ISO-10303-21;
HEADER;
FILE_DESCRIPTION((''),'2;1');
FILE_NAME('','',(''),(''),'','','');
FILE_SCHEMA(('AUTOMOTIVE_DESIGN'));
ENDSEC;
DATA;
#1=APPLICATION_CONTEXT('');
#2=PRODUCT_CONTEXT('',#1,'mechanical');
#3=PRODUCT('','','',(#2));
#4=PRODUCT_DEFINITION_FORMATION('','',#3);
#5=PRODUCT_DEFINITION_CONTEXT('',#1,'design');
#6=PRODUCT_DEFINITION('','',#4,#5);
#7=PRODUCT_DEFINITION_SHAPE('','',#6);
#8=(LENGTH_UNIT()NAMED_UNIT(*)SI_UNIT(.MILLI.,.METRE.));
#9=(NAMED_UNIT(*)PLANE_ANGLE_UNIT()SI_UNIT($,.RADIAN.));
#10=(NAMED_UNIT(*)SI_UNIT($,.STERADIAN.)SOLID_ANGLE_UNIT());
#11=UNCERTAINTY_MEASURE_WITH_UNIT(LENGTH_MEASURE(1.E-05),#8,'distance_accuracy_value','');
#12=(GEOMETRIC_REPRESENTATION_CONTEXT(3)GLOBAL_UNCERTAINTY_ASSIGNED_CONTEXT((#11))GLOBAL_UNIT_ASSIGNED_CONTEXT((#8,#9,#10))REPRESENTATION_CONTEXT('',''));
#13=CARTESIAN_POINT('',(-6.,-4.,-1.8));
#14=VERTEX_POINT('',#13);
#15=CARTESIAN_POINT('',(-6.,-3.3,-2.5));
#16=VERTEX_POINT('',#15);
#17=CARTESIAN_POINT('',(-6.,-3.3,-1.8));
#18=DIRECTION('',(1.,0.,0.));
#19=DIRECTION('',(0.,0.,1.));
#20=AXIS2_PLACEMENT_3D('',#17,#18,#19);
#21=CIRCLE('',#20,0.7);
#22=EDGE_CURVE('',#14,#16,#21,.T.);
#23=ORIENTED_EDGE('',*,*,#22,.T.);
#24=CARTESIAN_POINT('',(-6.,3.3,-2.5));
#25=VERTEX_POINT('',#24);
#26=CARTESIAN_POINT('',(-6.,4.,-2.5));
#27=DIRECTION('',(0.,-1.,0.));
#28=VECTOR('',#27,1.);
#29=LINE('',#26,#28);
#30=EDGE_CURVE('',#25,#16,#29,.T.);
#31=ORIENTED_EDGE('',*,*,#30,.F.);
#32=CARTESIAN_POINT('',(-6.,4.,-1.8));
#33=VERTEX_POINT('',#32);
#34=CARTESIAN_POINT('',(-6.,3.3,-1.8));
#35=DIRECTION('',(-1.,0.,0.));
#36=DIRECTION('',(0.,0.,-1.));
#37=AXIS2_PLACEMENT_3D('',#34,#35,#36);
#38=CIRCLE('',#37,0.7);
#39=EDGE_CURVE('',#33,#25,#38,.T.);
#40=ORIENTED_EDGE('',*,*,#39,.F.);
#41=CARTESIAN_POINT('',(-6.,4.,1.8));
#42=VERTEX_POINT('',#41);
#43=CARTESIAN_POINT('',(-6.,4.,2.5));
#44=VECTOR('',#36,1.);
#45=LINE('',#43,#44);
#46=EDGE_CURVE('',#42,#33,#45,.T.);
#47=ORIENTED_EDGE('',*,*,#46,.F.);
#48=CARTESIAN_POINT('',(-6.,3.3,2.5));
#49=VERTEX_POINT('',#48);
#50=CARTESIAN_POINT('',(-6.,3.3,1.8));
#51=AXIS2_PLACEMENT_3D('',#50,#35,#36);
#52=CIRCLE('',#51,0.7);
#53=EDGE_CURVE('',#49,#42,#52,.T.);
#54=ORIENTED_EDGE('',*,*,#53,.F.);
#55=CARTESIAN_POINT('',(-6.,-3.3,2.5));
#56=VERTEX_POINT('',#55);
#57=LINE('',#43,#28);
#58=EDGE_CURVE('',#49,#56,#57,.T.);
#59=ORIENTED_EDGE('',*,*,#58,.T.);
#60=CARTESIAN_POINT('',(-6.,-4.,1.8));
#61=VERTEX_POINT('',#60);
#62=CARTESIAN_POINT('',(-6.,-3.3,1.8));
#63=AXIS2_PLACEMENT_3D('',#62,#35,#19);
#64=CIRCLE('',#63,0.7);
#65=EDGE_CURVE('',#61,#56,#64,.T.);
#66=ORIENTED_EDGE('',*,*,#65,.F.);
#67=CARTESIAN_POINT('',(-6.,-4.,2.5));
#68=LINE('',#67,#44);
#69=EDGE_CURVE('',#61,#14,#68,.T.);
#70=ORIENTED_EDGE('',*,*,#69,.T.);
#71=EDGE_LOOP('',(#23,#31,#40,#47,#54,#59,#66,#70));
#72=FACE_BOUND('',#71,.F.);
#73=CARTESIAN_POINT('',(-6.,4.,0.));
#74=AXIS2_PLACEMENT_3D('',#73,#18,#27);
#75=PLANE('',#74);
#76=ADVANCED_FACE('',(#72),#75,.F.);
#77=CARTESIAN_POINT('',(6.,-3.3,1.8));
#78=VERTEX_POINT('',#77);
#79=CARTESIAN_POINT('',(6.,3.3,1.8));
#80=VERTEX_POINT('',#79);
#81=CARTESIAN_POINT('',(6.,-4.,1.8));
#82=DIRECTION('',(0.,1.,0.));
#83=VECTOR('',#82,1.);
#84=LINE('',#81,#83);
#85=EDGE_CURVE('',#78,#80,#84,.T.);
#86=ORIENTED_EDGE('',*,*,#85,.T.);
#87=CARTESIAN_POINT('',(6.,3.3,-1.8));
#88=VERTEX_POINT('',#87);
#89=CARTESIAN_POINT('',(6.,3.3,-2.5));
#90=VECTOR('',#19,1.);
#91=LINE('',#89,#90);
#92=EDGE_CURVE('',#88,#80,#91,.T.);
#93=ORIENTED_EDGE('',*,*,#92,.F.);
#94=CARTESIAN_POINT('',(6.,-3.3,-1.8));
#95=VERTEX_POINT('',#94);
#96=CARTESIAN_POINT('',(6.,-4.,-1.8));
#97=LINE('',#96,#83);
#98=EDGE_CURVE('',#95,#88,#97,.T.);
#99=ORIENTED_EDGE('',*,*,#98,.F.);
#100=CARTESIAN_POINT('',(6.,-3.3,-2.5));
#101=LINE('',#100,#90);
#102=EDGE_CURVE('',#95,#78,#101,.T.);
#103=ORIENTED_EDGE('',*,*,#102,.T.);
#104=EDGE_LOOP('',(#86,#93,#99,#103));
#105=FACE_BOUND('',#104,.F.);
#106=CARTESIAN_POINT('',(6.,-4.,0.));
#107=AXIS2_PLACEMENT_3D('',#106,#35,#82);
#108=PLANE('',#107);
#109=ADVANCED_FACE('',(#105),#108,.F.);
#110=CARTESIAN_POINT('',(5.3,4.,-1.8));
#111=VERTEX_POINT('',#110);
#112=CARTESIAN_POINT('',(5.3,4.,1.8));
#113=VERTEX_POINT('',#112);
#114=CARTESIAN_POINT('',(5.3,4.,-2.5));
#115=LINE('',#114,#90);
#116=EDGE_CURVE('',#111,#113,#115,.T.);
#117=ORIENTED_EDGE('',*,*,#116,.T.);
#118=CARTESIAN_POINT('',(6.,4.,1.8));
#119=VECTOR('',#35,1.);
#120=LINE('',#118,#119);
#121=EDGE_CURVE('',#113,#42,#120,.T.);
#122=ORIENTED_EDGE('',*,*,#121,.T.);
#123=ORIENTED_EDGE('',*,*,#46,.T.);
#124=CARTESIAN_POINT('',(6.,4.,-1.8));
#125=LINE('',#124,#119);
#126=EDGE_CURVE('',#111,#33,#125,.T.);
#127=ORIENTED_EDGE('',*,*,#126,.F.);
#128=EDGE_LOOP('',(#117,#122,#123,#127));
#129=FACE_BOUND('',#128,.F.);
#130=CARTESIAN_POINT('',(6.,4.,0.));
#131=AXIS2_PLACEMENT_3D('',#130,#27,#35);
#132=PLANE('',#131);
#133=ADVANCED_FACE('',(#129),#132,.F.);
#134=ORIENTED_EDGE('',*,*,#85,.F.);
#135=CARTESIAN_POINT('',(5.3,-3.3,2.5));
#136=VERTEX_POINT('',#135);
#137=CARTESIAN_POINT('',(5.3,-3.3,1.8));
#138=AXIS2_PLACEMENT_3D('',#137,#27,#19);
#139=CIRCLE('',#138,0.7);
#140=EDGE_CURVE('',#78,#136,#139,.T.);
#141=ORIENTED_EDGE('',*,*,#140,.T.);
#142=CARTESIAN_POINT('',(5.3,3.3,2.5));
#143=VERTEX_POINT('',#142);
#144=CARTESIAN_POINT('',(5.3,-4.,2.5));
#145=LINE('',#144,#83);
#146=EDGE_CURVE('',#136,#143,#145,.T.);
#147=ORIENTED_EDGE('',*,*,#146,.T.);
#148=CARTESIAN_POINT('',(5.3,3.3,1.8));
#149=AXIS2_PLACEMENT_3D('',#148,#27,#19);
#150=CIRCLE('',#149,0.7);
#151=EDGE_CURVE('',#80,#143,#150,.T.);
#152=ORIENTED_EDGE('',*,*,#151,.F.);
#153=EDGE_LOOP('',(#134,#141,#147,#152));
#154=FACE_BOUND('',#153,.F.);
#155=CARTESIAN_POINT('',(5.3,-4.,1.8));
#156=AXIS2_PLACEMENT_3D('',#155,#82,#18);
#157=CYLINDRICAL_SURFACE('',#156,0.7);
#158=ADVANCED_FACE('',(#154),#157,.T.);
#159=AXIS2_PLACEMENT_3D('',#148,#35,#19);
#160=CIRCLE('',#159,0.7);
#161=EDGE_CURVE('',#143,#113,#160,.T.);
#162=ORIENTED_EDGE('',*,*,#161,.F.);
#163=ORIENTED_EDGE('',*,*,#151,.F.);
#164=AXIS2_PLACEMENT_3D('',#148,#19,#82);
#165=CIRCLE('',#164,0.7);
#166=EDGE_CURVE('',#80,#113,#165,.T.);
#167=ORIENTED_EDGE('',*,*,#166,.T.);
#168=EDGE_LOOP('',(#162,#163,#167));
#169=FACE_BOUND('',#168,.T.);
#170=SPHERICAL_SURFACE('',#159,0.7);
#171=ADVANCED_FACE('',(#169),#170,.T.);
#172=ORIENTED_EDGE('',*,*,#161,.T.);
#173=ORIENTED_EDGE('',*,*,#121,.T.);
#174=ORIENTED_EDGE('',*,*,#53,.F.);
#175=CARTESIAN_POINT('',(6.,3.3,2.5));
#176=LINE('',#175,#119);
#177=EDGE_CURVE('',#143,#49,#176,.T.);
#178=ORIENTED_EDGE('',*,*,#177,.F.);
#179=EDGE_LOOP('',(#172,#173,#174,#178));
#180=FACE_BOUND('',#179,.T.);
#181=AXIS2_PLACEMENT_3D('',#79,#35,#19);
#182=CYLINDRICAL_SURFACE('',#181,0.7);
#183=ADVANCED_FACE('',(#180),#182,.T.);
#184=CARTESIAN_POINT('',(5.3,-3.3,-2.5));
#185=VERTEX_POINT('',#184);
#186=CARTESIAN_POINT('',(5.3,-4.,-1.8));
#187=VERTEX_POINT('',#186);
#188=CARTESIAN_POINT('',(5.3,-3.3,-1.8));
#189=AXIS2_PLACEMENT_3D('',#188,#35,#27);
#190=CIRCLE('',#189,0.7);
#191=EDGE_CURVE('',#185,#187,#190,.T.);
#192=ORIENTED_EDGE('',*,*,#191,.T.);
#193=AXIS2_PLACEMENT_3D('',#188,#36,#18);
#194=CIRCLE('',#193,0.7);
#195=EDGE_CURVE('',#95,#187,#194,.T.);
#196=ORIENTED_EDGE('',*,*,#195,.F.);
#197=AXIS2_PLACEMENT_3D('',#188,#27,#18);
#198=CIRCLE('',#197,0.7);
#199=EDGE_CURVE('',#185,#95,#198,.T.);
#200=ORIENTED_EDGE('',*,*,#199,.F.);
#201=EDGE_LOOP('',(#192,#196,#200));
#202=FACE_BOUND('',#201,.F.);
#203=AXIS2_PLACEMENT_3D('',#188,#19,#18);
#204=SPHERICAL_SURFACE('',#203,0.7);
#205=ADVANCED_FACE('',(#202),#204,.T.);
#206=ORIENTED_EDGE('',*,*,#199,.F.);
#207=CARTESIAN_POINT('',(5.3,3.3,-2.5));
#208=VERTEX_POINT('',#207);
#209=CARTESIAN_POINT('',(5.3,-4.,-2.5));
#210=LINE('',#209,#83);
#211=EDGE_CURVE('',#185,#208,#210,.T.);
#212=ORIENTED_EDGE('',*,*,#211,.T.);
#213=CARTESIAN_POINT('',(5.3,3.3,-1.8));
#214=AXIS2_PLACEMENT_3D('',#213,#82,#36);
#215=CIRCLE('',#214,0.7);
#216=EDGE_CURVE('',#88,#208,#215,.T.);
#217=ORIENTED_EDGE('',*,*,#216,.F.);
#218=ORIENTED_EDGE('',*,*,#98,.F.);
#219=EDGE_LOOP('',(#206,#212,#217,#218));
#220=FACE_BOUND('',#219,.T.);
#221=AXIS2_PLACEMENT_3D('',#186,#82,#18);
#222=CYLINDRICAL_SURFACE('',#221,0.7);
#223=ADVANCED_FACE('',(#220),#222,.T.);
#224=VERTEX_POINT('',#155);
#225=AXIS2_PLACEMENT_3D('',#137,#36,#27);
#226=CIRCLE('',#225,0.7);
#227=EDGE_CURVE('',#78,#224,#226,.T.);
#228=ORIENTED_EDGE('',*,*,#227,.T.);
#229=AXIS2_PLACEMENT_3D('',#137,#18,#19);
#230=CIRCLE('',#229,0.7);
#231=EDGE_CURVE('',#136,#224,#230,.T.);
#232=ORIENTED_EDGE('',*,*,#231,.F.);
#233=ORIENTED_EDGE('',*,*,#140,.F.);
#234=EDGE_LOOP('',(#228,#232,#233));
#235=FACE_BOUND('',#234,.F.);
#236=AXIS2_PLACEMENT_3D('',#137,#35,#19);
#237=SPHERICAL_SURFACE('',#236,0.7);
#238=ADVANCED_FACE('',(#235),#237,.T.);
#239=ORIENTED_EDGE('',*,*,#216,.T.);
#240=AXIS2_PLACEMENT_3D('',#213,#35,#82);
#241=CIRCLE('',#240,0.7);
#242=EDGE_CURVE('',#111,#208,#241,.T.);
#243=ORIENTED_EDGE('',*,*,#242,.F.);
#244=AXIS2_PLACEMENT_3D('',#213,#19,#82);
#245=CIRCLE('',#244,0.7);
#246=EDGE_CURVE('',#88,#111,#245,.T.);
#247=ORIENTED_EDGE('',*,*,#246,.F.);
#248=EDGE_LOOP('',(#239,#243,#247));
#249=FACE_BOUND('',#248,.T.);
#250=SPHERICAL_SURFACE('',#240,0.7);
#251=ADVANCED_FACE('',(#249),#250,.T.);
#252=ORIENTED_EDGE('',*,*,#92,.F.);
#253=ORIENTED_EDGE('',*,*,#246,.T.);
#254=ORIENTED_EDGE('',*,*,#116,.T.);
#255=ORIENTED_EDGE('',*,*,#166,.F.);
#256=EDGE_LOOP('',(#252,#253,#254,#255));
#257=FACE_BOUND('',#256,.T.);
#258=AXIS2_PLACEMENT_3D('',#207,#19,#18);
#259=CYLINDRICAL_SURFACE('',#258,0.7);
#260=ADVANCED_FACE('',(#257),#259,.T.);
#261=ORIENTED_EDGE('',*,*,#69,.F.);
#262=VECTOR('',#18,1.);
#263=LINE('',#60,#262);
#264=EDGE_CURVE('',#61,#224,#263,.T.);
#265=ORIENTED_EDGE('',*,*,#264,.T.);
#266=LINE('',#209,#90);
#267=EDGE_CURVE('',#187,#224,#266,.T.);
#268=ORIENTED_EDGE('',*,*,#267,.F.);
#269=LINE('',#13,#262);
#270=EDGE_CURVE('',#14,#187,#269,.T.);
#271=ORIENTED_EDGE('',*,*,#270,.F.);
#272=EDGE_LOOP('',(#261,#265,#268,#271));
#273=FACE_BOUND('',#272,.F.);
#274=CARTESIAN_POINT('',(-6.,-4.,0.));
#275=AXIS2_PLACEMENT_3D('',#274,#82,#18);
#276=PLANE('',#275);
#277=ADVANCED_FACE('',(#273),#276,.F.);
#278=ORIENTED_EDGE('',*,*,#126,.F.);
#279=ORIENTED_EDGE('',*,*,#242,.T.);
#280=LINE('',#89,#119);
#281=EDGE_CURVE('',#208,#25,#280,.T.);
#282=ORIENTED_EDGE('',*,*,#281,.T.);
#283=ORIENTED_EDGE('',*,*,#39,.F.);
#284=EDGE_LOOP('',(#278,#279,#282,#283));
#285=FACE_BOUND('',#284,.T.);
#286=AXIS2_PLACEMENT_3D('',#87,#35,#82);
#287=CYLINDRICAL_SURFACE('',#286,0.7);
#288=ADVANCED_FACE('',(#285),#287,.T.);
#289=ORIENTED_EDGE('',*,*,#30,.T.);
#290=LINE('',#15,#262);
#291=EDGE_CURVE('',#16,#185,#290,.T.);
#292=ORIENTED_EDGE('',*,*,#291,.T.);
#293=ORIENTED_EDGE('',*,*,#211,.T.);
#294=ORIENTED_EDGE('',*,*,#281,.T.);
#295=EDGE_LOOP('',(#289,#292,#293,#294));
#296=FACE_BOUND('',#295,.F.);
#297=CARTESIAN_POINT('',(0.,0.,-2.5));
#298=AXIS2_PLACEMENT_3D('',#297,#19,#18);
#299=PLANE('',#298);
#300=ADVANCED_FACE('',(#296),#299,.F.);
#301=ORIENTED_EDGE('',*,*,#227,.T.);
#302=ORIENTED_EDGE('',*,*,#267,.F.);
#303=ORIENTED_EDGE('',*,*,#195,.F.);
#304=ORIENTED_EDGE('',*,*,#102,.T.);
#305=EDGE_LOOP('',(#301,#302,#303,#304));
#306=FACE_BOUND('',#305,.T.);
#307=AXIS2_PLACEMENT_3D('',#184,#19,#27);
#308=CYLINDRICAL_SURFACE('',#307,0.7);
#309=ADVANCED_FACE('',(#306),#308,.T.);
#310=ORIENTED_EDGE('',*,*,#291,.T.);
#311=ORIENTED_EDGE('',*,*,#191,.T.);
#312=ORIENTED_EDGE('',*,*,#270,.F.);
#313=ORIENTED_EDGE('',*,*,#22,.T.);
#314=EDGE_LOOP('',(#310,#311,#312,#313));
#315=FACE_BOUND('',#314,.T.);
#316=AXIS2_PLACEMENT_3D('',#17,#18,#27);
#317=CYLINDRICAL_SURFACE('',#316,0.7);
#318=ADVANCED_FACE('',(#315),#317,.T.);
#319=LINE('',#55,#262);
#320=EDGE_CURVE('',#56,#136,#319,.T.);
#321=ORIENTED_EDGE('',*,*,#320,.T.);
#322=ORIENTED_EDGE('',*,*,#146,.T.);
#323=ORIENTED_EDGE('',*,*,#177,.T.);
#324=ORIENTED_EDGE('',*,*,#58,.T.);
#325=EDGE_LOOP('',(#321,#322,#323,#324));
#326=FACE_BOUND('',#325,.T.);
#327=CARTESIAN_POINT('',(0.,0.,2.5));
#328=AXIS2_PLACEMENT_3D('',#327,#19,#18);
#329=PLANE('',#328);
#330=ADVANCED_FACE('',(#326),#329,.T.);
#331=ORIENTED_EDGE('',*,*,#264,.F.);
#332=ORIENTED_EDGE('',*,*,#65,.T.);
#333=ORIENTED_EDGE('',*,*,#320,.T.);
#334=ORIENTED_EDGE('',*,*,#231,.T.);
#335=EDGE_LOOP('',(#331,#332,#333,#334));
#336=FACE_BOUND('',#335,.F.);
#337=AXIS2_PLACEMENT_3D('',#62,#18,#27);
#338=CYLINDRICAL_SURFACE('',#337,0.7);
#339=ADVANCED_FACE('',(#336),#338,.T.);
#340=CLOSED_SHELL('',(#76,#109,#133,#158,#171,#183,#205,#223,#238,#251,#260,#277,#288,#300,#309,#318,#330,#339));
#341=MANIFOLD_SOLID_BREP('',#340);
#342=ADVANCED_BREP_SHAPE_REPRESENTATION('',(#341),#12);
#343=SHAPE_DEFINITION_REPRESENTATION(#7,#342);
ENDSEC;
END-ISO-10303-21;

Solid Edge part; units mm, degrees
sketch "Sketch1" plane through (0, 0, 0) normal (0, 0, 1) x (1, 0, 0)
  line L0 (-6, -4) -> (6, -4)
  line L1 (6, -4) -> (6, 4)
  line L2 (6, 4) -> (-6, 4)
  line L3 (-6, 4) -> (-6, -4)
  dimension "D1" = 12
  dimension "D2" = 8
extrude "Ajout_matière_1" add sketch "Sketch1" along normal mid plane 5
fillet "Congé_1" radius 0.7 8 edges at (0, 4, 2.5) (0, -4, 2.5) (0, 4, -2.5) (6, 0, 2.5) (6, 4, 0) (6, -4, 0) (6, 0, -2.5) (0, -4, -2.5)
properties material "Graphite"
